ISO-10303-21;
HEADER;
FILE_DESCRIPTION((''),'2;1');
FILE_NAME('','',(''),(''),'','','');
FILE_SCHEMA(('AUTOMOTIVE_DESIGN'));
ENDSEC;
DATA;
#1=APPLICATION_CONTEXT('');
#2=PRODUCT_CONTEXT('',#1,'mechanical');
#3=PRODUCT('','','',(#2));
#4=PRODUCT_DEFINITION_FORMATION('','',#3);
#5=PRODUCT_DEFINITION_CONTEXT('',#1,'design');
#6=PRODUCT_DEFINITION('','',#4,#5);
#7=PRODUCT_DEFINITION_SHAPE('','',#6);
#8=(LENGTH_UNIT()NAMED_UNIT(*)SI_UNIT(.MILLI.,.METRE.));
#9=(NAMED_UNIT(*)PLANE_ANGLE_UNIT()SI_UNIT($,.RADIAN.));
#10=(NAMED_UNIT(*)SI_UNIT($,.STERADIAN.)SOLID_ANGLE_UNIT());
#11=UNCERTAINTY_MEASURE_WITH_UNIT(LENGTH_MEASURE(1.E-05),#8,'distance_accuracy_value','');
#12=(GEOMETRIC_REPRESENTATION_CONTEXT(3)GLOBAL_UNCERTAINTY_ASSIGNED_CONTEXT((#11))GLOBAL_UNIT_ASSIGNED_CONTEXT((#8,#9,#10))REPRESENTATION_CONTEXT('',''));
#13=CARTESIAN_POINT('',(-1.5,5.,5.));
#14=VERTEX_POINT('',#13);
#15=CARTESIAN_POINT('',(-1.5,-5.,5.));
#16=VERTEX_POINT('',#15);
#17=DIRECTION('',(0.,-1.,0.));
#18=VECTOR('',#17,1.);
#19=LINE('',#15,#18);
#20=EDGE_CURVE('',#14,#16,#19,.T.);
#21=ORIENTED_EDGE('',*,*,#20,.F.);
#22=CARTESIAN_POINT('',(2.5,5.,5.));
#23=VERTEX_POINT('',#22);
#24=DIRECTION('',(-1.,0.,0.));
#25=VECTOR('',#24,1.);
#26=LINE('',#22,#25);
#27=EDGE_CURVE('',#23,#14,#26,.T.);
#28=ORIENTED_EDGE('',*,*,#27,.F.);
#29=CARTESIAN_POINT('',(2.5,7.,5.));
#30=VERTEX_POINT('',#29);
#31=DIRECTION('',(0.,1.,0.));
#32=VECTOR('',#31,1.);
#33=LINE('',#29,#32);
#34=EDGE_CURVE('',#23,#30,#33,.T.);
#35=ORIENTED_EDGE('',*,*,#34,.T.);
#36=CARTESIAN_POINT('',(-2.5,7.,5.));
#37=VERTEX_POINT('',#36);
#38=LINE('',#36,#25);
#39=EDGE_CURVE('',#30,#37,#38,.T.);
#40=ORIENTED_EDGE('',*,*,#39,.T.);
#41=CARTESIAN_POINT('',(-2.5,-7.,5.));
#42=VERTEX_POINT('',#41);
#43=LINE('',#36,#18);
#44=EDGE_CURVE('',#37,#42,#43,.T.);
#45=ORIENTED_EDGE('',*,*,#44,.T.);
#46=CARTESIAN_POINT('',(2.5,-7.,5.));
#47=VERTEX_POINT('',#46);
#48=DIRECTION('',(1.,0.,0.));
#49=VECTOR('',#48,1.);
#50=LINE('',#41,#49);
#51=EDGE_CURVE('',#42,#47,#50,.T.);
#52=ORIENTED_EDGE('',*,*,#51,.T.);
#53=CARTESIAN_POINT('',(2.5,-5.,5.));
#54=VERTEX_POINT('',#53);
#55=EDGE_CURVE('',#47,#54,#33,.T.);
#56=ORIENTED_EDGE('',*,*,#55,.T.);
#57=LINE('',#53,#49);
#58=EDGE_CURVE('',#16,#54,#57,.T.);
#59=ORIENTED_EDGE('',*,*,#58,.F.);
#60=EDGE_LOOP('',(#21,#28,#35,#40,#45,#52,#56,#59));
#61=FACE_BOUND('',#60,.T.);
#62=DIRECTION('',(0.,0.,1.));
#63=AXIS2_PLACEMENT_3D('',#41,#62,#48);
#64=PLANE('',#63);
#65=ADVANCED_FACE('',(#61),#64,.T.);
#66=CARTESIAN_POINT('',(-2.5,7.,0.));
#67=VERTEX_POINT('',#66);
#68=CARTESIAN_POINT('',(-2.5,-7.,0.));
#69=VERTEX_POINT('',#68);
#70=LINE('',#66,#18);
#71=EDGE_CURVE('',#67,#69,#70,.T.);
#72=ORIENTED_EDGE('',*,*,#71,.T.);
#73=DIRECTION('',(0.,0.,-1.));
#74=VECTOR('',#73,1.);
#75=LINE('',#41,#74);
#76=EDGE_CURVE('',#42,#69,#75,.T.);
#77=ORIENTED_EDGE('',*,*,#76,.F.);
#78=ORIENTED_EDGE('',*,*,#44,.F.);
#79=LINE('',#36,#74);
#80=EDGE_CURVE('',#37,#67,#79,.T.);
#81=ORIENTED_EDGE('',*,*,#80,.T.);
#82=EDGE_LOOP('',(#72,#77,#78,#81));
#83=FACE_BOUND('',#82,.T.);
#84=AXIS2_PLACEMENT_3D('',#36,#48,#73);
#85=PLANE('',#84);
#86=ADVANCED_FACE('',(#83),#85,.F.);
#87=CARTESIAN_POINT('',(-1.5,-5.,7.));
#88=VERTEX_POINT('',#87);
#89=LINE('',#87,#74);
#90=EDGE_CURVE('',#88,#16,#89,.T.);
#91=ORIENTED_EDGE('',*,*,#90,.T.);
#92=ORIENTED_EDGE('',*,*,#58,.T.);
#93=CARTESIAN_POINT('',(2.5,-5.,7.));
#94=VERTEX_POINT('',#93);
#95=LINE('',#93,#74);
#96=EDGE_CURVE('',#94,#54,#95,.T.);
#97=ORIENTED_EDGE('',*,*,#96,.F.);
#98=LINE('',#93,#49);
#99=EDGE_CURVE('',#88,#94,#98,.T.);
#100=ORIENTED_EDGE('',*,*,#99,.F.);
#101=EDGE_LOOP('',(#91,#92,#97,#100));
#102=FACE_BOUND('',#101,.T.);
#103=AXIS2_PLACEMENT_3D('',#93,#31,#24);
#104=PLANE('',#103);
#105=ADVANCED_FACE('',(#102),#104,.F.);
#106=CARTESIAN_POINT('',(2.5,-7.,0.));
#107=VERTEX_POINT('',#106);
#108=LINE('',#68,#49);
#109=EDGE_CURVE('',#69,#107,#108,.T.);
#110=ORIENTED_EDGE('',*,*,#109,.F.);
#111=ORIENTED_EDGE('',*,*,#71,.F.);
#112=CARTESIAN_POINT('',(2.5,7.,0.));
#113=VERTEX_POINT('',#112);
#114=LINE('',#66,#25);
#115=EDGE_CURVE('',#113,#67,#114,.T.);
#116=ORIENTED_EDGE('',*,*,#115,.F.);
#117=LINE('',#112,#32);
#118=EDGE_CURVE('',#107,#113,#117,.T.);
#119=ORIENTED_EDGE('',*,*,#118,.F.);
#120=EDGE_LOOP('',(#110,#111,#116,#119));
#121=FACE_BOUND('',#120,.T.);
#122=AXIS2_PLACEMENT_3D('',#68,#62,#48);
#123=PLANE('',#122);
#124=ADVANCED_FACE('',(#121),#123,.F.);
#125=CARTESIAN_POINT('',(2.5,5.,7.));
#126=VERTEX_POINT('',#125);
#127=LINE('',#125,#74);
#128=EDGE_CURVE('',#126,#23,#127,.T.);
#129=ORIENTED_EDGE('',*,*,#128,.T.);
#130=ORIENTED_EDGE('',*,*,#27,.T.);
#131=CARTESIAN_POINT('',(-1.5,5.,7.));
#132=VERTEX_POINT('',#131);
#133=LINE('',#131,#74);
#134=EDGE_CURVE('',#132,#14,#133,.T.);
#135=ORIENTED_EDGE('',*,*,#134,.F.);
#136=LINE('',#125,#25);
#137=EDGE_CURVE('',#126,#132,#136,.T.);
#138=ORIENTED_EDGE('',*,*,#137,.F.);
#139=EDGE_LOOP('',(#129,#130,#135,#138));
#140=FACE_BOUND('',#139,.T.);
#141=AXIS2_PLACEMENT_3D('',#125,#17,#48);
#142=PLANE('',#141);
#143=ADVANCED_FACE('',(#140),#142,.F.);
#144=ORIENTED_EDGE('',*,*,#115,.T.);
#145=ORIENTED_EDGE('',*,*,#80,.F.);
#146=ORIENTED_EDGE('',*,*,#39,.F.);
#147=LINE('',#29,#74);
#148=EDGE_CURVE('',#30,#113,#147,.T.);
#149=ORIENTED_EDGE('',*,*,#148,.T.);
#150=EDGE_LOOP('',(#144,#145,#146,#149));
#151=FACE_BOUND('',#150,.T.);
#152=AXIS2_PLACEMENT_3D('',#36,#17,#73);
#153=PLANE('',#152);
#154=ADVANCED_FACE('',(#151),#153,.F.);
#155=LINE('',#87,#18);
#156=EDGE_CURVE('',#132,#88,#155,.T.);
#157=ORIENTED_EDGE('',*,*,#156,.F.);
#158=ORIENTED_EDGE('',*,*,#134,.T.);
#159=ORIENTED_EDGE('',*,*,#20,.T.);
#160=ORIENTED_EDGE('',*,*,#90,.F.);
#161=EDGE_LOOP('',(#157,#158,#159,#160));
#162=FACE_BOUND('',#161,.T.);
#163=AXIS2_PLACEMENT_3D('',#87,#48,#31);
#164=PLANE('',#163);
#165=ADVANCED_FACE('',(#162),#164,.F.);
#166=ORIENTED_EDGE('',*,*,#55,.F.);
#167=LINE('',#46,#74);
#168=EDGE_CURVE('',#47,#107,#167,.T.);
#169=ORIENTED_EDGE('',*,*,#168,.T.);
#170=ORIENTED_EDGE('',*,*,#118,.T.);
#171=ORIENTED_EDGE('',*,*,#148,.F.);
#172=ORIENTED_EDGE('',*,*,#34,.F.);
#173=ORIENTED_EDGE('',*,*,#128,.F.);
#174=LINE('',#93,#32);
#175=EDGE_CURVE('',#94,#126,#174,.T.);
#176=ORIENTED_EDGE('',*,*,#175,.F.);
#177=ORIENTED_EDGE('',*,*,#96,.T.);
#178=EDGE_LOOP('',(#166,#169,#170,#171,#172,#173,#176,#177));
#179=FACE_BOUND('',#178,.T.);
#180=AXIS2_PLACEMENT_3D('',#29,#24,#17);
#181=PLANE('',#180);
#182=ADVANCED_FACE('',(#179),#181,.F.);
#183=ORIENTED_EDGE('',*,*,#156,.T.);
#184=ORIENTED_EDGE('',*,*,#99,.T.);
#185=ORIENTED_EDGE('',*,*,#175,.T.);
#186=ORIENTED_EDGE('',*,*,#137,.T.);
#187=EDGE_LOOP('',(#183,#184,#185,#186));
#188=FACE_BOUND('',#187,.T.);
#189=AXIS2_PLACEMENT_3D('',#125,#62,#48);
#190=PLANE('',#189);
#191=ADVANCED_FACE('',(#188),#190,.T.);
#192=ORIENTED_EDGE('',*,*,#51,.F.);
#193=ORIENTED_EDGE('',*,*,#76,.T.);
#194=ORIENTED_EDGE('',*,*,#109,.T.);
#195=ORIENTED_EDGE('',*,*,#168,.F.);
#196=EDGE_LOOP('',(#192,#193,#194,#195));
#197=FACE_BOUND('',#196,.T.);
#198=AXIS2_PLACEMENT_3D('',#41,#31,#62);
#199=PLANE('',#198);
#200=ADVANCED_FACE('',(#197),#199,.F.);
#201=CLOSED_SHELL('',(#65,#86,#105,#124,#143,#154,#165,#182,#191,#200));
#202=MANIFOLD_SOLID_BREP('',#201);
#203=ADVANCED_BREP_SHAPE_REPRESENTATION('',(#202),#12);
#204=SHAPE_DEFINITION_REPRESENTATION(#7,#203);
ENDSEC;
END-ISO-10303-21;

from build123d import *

# Parameters (mm, degrees)
SKETCH1_W      = 5
SKETCH1_H      = 14
EXTRUDE1_DEPTH = 5
SKETCH2_W      = 4
SKETCH2_H      = 10
EXTRUDE2_DEPTH = 2


with BuildPart() as part:
    # Sketch1 → Extrude1 (new body)
    with BuildSketch(Plane.XY):
        Rectangle(SKETCH1_W, SKETCH1_H)
    extrude(amount=EXTRUDE1_DEPTH)

    # Sketch2 → Extrude2 (add)
    with BuildSketch(Plane.XY.offset(5)):
        with Locations((0.5, 0)):
            Rectangle(SKETCH2_W, SKETCH2_H)
    extrude(amount=EXTRUDE2_DEPTH)


solid = part.part
